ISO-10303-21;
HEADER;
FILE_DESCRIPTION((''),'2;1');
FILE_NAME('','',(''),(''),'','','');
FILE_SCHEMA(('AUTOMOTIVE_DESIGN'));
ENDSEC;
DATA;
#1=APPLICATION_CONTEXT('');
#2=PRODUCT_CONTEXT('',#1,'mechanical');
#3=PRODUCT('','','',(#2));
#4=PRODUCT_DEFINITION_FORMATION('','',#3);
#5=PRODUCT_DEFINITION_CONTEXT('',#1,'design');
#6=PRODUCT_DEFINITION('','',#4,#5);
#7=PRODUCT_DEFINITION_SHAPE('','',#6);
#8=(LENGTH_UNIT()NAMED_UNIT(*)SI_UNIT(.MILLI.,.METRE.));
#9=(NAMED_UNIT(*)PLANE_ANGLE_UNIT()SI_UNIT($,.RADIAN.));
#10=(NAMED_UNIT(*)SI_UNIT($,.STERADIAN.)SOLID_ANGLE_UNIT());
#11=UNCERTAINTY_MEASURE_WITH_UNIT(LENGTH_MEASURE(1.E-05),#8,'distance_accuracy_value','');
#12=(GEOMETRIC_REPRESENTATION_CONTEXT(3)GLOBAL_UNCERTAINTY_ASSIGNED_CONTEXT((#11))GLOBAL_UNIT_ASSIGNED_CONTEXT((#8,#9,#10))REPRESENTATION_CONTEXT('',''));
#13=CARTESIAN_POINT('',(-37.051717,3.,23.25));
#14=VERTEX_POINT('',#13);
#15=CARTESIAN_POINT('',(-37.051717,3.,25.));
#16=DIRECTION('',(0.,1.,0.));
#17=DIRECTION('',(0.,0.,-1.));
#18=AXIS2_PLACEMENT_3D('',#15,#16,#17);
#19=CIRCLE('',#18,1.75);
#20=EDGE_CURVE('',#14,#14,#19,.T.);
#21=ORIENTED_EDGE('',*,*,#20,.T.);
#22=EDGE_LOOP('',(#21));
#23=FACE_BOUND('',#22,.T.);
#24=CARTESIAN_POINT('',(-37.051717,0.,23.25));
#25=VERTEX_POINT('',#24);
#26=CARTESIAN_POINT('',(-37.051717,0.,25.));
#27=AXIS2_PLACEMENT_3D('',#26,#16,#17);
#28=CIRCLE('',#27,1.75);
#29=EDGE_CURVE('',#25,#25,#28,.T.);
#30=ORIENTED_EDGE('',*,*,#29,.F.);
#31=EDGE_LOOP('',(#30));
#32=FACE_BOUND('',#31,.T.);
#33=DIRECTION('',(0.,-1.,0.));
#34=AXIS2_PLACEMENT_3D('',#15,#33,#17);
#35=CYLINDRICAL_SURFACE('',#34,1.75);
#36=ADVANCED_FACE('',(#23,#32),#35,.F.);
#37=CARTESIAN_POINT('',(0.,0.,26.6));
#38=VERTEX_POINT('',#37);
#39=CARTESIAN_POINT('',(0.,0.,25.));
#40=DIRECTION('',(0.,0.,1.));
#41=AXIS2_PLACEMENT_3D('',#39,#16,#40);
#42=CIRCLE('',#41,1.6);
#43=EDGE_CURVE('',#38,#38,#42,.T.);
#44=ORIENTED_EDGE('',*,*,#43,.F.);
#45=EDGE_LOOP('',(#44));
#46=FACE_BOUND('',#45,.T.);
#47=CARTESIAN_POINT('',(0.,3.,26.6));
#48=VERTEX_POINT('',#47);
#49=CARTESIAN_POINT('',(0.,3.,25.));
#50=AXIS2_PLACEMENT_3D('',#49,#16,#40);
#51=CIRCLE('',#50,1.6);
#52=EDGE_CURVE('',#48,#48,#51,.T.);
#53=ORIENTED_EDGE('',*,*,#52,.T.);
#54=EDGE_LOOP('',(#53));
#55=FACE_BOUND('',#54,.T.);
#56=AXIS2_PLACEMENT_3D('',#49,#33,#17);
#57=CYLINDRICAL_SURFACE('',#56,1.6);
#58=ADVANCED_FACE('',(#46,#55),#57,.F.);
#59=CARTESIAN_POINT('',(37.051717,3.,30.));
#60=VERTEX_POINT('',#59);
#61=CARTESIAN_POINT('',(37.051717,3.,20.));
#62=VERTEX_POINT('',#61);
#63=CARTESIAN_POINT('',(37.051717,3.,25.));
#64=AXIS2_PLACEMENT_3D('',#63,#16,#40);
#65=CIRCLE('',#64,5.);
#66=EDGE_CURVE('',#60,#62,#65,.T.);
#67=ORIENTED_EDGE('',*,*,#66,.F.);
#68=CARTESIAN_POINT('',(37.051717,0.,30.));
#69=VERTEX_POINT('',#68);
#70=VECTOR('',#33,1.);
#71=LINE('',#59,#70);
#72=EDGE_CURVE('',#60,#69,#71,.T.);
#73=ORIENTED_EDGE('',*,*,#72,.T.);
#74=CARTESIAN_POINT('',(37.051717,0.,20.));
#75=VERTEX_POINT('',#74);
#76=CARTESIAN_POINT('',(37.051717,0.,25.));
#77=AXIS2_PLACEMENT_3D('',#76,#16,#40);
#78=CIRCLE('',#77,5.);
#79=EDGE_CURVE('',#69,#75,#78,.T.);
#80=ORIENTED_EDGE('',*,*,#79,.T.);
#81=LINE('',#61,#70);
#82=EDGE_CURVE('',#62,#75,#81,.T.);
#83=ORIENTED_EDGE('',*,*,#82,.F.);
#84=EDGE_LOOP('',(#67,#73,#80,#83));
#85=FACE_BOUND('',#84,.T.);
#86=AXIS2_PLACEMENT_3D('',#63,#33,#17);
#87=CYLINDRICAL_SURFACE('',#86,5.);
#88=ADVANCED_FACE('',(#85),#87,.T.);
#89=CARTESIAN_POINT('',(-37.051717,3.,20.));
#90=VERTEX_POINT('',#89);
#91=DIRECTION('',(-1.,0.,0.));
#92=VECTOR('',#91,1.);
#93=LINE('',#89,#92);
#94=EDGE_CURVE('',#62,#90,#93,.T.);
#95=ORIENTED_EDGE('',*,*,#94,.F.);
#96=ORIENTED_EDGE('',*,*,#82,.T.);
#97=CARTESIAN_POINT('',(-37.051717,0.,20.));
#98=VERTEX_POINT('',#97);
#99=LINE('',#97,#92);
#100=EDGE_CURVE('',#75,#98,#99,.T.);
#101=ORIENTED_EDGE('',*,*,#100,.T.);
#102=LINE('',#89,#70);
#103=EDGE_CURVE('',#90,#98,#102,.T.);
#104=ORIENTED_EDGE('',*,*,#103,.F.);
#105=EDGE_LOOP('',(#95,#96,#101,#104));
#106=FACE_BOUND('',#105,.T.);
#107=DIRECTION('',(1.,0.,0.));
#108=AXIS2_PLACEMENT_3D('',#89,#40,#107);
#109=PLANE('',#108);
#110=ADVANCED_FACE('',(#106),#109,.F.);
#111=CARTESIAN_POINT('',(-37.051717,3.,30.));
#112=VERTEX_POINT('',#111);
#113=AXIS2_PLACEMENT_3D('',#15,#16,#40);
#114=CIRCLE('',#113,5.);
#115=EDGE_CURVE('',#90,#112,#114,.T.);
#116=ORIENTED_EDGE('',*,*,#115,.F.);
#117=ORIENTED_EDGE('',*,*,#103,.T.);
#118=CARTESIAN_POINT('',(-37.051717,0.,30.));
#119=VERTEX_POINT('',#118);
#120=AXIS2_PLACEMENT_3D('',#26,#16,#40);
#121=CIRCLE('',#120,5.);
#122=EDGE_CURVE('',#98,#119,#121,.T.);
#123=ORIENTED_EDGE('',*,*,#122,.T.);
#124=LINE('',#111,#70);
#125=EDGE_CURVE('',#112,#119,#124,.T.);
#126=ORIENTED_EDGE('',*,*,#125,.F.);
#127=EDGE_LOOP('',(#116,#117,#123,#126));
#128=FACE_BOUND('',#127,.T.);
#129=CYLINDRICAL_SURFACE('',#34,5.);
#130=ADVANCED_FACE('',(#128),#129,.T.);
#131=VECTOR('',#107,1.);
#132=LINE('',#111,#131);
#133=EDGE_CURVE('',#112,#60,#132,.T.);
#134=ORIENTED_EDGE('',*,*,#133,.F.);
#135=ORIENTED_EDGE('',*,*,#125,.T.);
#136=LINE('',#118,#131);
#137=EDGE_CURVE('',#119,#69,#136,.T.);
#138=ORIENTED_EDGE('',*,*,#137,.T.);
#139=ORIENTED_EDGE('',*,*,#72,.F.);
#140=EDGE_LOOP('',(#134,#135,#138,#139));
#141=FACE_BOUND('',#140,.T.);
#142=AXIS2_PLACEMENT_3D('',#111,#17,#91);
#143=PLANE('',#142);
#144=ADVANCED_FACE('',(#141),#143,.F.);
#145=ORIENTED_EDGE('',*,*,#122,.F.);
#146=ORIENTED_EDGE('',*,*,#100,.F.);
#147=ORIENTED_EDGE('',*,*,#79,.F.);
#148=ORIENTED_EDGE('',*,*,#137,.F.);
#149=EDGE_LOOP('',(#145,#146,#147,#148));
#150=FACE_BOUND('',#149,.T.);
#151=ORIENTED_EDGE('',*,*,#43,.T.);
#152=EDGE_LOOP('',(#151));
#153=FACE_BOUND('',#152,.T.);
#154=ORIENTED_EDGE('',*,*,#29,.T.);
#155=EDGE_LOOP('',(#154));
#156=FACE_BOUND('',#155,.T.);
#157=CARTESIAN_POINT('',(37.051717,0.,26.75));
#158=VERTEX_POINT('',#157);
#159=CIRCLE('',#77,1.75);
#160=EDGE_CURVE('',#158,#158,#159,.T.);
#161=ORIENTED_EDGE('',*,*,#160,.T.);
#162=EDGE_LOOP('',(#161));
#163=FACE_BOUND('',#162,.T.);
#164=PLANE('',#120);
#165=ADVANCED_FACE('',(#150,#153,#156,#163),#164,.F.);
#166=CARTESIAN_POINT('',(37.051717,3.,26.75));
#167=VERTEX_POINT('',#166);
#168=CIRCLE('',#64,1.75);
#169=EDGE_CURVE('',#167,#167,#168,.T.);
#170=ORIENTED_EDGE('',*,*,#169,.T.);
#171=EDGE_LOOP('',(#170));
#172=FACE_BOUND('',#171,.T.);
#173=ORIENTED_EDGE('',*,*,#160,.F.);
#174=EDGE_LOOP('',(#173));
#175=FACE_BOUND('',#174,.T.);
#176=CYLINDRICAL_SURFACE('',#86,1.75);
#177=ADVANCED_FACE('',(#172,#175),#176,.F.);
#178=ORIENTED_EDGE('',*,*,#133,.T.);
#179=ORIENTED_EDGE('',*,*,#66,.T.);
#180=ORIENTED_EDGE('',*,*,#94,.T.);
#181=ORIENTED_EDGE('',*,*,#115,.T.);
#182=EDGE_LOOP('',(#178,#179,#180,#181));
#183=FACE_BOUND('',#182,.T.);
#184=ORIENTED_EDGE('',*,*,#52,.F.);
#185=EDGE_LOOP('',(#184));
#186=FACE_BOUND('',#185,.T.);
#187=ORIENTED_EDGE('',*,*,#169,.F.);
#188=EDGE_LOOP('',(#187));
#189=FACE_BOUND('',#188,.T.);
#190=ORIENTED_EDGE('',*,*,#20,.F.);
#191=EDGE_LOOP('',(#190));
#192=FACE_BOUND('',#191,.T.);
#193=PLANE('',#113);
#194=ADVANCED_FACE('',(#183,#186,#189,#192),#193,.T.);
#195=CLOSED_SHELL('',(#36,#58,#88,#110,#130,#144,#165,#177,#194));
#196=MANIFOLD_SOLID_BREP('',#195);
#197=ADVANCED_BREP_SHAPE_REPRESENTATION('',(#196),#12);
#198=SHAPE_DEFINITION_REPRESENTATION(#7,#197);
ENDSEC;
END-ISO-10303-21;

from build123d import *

# Parameters (mm, degrees)
SKETCH1_R           = 1.6
SKETCH1_R_2         = 1.75
BOSS_EXTRUDE1_DEPTH = 3


with BuildPart() as part:
    # Sketch1 → Boss-Extrude1 (new body)
    with BuildSketch(Plane(origin=(0, 0, 0), x_dir=(1, 0, 0), z_dir=(0, 1, 0))):
        with BuildLine():
            Line((-37.051716829, -20), (37.051716829, -20))
            ThreePointArc((37.051716829, -20), (42.051716829, -25), (37.051716829, -30))
            Line((37.051716829, -30), (-37.051716829, -30))
            ThreePointArc((-37.051716829, -30), (-42.051716829, -25), (-37.051716829, -20))
        make_face()
        with Locations(Location((0, -25, 0), (0, 0, 270))):
            Circle(SKETCH1_R, mode=Mode.SUBTRACT)
        with Locations(Location((37.051716829, -25, 0), (0, 0, 270))):
            Circle(SKETCH1_R_2, mode=Mode.SUBTRACT)
        with Locations(Location((-37.051716829, -25, 0), (0, 0, 90))):
            Circle(SKETCH1_R_2, mode=Mode.SUBTRACT)
    extrude(amount=BOSS_EXTRUDE1_DEPTH)


solid = part.part
